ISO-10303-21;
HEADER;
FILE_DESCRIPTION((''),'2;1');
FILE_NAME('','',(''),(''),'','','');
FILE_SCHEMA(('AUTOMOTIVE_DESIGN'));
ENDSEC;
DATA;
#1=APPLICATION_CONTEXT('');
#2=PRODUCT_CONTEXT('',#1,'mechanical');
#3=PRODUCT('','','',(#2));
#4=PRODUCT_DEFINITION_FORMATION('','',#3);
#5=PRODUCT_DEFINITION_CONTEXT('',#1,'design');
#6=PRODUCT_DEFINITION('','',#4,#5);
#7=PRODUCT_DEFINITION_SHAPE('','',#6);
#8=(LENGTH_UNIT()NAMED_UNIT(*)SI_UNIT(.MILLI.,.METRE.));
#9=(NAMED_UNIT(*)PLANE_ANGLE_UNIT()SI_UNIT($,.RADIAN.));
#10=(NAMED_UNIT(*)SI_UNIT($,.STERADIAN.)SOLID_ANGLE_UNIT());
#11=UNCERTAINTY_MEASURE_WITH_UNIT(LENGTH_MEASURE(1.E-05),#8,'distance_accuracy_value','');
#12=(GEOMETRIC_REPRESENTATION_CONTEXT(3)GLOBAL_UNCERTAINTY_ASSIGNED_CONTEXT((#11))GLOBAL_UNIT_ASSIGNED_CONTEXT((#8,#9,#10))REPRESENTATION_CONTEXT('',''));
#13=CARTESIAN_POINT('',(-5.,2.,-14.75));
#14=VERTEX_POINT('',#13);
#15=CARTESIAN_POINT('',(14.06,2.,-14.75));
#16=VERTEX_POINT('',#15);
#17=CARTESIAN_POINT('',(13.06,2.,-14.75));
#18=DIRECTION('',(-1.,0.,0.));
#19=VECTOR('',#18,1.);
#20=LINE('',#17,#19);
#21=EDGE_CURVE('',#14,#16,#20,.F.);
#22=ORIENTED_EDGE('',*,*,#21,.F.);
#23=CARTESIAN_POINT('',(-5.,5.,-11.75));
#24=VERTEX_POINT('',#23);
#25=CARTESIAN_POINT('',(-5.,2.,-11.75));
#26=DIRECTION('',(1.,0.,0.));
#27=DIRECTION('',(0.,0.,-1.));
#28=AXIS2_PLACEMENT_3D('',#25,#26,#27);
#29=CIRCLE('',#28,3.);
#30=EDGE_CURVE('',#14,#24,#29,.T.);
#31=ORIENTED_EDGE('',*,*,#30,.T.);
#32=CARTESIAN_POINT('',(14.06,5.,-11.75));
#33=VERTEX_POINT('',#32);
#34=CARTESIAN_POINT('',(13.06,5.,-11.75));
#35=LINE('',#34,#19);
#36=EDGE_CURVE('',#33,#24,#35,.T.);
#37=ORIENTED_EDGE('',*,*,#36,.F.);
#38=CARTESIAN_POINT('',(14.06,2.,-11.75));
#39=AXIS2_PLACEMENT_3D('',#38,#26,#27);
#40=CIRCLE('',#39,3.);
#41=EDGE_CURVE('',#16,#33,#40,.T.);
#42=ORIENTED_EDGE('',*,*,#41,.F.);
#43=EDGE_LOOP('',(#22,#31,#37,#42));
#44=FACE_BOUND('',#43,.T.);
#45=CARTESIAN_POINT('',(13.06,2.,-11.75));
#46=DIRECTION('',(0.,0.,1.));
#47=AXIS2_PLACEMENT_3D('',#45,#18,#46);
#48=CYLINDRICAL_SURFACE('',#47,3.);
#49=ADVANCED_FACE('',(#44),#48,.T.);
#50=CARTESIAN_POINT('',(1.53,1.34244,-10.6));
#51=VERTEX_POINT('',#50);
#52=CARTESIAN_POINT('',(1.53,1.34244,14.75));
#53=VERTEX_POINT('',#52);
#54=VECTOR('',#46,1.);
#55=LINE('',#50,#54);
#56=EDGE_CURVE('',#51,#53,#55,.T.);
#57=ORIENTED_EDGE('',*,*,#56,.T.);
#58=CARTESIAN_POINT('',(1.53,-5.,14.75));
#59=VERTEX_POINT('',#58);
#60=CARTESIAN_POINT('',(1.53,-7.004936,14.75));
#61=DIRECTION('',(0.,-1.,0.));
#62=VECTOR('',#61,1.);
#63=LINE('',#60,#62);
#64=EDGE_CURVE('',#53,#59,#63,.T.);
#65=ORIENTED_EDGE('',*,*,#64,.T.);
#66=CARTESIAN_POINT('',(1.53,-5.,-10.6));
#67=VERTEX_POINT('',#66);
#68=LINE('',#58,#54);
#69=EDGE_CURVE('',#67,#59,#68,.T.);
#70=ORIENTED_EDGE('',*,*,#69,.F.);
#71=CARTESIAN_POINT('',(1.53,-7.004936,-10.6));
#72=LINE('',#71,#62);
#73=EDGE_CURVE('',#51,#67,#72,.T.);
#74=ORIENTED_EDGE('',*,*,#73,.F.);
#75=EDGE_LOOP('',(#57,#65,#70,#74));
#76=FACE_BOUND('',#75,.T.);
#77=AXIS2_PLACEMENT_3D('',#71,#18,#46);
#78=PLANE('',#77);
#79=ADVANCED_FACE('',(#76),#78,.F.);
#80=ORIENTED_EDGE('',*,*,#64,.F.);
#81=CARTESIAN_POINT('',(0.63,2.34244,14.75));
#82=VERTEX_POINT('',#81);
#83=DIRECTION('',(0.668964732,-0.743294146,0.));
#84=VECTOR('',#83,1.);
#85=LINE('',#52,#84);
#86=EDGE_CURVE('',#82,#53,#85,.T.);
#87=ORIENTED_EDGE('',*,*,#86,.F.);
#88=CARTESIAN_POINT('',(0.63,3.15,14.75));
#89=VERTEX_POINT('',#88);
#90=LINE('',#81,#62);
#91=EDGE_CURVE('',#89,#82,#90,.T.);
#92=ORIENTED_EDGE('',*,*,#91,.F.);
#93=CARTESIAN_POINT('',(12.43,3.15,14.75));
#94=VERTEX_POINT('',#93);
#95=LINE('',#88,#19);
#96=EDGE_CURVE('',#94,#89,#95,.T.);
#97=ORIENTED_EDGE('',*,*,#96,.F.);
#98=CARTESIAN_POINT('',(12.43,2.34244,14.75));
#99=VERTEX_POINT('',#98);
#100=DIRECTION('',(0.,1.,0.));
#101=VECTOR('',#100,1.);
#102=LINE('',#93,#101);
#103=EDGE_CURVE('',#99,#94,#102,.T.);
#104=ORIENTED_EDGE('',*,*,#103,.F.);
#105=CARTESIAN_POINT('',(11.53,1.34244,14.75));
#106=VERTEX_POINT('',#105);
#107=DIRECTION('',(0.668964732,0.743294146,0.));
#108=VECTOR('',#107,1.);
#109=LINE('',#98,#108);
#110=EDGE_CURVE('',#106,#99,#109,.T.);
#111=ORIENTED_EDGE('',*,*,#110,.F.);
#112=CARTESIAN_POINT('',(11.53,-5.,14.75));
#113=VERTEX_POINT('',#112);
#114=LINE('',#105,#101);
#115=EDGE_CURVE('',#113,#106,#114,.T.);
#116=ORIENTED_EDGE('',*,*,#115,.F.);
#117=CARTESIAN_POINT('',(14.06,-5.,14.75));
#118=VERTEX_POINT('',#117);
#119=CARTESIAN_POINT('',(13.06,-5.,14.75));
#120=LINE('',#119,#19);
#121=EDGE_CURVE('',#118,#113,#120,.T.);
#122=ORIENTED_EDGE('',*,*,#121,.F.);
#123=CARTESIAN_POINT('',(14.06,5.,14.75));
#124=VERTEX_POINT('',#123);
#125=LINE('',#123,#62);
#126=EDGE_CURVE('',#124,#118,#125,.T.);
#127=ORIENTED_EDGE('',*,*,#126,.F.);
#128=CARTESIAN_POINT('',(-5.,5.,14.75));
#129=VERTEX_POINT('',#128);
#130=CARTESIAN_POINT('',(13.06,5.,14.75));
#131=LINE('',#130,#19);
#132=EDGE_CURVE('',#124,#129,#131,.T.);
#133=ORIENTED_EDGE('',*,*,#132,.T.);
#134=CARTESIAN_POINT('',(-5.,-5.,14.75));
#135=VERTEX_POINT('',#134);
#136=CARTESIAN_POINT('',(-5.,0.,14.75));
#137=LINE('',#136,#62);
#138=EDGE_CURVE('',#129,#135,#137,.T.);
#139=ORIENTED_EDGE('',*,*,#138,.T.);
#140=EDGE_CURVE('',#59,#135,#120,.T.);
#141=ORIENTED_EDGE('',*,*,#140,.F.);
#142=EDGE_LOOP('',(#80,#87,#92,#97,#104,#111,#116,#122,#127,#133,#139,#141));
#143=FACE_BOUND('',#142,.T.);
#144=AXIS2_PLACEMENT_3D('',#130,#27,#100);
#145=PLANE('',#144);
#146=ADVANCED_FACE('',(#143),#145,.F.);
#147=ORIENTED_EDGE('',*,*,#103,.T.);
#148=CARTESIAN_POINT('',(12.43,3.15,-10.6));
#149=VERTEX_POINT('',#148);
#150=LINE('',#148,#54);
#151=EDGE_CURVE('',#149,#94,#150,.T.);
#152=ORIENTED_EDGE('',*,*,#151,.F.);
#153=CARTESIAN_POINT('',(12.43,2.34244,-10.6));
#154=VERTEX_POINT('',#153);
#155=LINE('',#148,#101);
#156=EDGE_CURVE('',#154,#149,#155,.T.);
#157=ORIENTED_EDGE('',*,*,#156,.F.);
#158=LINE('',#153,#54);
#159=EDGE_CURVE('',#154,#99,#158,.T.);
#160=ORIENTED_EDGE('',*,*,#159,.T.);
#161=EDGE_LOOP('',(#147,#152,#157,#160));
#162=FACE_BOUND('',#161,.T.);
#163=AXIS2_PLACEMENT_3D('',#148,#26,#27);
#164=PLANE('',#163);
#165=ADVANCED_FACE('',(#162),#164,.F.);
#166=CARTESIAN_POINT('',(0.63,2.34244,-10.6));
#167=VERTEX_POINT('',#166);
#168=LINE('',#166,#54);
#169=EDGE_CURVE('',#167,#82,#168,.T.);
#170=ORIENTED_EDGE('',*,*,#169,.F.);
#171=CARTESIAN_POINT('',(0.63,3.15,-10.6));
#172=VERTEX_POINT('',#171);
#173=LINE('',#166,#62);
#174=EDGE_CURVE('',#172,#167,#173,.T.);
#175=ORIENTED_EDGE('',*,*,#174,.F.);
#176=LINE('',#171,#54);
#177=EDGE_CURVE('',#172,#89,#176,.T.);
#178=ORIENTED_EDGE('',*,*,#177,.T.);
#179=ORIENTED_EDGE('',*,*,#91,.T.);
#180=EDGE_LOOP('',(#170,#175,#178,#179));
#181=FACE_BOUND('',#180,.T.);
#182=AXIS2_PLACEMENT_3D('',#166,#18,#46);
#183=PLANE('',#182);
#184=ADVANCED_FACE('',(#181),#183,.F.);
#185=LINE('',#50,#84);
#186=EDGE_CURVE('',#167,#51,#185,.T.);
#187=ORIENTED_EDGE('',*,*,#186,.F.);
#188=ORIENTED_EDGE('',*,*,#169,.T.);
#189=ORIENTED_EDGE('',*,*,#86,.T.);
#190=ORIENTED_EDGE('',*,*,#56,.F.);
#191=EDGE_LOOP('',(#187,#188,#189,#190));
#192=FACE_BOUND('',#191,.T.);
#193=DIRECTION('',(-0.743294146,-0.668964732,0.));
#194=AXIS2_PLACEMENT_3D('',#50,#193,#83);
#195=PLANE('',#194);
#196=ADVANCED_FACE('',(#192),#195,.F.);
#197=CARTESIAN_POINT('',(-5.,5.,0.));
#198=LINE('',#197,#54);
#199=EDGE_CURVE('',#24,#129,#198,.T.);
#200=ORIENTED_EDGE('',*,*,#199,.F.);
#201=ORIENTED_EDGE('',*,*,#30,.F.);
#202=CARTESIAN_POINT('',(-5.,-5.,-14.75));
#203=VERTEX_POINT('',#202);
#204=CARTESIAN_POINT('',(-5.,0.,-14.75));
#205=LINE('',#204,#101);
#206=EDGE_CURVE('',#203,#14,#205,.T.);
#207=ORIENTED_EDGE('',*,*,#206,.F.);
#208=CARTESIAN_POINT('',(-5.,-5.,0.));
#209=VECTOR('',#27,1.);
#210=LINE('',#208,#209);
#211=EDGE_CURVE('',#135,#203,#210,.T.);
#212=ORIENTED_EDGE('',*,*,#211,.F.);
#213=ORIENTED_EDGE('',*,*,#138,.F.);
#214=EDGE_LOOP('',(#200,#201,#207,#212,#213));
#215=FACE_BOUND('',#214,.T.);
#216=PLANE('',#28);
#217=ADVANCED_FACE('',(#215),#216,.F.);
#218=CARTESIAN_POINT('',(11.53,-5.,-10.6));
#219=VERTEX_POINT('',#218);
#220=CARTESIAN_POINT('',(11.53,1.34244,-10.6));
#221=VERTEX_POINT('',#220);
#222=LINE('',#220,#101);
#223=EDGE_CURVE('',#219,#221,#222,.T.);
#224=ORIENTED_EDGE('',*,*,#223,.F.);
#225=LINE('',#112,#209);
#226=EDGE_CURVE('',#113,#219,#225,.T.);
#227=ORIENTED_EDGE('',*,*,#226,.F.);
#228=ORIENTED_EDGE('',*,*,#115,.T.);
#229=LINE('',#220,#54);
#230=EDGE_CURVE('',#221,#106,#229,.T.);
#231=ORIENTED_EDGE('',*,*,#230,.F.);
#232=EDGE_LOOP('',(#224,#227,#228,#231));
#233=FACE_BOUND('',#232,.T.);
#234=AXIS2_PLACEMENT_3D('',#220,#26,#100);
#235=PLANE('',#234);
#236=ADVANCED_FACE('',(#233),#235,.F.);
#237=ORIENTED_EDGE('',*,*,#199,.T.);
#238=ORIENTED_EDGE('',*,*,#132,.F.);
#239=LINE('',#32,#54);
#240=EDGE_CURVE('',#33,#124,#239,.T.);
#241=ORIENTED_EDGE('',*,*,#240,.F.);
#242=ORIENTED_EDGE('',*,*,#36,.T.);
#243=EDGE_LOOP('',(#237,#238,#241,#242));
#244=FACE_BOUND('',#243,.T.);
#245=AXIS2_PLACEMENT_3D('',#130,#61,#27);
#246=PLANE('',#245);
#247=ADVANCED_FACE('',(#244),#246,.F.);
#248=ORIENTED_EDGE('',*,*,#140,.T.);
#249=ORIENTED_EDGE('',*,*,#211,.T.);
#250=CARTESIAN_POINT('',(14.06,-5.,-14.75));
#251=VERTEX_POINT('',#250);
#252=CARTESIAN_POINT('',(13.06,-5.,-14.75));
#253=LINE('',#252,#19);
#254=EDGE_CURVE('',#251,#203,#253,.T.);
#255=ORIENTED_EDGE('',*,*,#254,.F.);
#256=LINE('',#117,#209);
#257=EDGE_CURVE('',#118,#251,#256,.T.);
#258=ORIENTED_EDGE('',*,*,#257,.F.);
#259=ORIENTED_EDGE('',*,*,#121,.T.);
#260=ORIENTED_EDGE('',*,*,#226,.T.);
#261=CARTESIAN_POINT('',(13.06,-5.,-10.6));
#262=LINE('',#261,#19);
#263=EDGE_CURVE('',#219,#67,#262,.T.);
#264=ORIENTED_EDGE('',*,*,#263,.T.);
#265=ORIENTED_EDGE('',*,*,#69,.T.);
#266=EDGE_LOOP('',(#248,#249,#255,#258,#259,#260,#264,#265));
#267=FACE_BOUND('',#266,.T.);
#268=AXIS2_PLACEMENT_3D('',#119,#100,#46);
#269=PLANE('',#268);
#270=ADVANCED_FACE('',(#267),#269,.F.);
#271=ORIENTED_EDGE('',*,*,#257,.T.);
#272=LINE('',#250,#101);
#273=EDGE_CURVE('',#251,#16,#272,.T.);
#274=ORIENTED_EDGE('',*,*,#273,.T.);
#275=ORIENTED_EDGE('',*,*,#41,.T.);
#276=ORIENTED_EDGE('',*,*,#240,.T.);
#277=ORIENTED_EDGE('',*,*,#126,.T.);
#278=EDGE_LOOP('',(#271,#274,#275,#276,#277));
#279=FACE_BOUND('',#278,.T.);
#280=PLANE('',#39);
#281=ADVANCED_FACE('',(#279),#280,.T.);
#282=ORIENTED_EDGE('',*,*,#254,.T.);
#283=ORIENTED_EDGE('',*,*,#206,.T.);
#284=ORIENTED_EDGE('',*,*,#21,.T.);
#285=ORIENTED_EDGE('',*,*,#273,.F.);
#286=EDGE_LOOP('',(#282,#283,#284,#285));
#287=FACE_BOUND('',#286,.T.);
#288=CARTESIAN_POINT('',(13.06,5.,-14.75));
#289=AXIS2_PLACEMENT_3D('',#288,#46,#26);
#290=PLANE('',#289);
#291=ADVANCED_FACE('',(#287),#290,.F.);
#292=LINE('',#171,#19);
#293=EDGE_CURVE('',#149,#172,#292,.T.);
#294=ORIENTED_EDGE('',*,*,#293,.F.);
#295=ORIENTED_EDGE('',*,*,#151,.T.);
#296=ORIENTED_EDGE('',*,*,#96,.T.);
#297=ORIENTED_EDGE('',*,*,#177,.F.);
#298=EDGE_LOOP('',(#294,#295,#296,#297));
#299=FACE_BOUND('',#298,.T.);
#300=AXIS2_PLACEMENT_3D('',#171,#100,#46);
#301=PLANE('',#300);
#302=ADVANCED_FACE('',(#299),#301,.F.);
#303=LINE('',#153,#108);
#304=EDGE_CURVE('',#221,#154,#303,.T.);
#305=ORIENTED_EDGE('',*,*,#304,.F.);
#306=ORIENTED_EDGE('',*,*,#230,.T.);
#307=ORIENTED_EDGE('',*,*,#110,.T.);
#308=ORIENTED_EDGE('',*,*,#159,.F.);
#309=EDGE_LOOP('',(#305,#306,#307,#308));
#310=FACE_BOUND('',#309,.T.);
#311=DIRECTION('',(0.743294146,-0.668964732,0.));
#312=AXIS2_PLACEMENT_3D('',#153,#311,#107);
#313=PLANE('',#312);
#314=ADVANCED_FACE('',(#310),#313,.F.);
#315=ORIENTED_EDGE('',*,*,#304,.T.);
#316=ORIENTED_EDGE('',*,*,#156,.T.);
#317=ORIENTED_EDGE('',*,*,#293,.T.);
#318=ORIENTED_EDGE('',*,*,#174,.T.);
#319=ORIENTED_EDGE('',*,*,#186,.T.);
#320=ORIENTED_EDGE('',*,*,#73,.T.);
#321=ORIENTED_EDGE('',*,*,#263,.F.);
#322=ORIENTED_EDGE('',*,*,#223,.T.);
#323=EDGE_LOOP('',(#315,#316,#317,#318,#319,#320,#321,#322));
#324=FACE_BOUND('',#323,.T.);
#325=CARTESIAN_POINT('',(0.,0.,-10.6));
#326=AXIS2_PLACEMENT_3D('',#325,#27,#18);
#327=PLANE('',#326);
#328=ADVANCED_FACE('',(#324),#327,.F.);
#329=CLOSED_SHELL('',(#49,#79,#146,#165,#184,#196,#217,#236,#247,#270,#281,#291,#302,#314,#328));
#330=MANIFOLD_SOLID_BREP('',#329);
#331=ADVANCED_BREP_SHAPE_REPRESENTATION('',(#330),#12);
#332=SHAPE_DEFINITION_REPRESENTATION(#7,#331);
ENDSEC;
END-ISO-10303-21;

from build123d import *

# Parameters (mm, degrees)
SKETCH_1_W          = 29.5
SKETCH_1_H          = 10
EXTRUDE_1_DEPTH     = 13.06
FILLET_1_R          = 3
CUT_EXTRUDE_1_DEPTH = 25.35
EXTRUDE_START       = 1
EXTRUDE_2_DEPTH     = 1
EXTRUDE_START_2     = -13.06
EXTRUDE_3_DEPTH     = 5


with BuildPart() as part:
    # 草图1 → 凸台-拉伸1 (new body)
    with BuildSketch(Plane(origin=(0, 0, 0), x_dir=(0, 0, -1), z_dir=(1, 0, 0))):
        Rectangle(SKETCH_1_W, SKETCH_1_H)
    extrude(amount=EXTRUDE_1_DEPTH)

    # 圆角1
    fillet_1_edges = [part.edges().sort_by_distance(p)[0] for p in [
        (6.53, 5, -14.75),
    ]]
    fillet(fillet_1_edges, radius=FILLET_1_R)

    # 草图3 → 切除-拉伸1 (cut)
    with BuildSketch(Plane.XY.offset(14.75)):
        Polygon((11.53, -7.004935671), (1.53, -7.004935671), (1.53, 1.342439599), (0.63, 2.342439599), (0.63, 3.15), (12.43, 3.15), (12.43, 2.342439599), (11.53, 1.342439599), align=None)
    extrude(amount=-CUT_EXTRUDE_1_DEPTH, mode=Mode.SUBTRACT)

    # 草图4 → 凸台-拉伸2 (add)
    with BuildSketch(Plane(origin=(13.06, 0, 0), x_dir=(0, 0, -1), z_dir=(1, 0, 0)).offset(EXTRUDE_START)):
        with BuildLine():
            Line((14.75, -5), (14.75, 2))
            ThreePointArc((14.75, 2), (13.871320344, 4.121320344), (11.75, 5))
            Line((11.75, 5), (-14.75, 5))
            Line((-14.75, 5), (-14.75, -5))
            Line((-14.75, -5), (14.75, -5))
        make_face()
    extrude(amount=-EXTRUDE_2_DEPTH)

    # 草图4<3> → 凸台-拉伸3 (add)
    with BuildSketch(Plane(origin=(13.06, 0, 0), x_dir=(0, 0, -1), z_dir=(1, 0, 0)).offset(EXTRUDE_START_2)):
        with BuildLine():
            Line((14.75, -5), (14.75, 2))
            ThreePointArc((14.75, 2), (13.871320344, 4.121320344), (11.75, 5))
            Line((11.75, 5), (-14.75, 5))
            Line((-14.75, 5), (-14.75, -5))
            Line((-14.75, -5), (14.75, -5))
        make_face()
    extrude(amount=-EXTRUDE_3_DEPTH)


solid = part.part
